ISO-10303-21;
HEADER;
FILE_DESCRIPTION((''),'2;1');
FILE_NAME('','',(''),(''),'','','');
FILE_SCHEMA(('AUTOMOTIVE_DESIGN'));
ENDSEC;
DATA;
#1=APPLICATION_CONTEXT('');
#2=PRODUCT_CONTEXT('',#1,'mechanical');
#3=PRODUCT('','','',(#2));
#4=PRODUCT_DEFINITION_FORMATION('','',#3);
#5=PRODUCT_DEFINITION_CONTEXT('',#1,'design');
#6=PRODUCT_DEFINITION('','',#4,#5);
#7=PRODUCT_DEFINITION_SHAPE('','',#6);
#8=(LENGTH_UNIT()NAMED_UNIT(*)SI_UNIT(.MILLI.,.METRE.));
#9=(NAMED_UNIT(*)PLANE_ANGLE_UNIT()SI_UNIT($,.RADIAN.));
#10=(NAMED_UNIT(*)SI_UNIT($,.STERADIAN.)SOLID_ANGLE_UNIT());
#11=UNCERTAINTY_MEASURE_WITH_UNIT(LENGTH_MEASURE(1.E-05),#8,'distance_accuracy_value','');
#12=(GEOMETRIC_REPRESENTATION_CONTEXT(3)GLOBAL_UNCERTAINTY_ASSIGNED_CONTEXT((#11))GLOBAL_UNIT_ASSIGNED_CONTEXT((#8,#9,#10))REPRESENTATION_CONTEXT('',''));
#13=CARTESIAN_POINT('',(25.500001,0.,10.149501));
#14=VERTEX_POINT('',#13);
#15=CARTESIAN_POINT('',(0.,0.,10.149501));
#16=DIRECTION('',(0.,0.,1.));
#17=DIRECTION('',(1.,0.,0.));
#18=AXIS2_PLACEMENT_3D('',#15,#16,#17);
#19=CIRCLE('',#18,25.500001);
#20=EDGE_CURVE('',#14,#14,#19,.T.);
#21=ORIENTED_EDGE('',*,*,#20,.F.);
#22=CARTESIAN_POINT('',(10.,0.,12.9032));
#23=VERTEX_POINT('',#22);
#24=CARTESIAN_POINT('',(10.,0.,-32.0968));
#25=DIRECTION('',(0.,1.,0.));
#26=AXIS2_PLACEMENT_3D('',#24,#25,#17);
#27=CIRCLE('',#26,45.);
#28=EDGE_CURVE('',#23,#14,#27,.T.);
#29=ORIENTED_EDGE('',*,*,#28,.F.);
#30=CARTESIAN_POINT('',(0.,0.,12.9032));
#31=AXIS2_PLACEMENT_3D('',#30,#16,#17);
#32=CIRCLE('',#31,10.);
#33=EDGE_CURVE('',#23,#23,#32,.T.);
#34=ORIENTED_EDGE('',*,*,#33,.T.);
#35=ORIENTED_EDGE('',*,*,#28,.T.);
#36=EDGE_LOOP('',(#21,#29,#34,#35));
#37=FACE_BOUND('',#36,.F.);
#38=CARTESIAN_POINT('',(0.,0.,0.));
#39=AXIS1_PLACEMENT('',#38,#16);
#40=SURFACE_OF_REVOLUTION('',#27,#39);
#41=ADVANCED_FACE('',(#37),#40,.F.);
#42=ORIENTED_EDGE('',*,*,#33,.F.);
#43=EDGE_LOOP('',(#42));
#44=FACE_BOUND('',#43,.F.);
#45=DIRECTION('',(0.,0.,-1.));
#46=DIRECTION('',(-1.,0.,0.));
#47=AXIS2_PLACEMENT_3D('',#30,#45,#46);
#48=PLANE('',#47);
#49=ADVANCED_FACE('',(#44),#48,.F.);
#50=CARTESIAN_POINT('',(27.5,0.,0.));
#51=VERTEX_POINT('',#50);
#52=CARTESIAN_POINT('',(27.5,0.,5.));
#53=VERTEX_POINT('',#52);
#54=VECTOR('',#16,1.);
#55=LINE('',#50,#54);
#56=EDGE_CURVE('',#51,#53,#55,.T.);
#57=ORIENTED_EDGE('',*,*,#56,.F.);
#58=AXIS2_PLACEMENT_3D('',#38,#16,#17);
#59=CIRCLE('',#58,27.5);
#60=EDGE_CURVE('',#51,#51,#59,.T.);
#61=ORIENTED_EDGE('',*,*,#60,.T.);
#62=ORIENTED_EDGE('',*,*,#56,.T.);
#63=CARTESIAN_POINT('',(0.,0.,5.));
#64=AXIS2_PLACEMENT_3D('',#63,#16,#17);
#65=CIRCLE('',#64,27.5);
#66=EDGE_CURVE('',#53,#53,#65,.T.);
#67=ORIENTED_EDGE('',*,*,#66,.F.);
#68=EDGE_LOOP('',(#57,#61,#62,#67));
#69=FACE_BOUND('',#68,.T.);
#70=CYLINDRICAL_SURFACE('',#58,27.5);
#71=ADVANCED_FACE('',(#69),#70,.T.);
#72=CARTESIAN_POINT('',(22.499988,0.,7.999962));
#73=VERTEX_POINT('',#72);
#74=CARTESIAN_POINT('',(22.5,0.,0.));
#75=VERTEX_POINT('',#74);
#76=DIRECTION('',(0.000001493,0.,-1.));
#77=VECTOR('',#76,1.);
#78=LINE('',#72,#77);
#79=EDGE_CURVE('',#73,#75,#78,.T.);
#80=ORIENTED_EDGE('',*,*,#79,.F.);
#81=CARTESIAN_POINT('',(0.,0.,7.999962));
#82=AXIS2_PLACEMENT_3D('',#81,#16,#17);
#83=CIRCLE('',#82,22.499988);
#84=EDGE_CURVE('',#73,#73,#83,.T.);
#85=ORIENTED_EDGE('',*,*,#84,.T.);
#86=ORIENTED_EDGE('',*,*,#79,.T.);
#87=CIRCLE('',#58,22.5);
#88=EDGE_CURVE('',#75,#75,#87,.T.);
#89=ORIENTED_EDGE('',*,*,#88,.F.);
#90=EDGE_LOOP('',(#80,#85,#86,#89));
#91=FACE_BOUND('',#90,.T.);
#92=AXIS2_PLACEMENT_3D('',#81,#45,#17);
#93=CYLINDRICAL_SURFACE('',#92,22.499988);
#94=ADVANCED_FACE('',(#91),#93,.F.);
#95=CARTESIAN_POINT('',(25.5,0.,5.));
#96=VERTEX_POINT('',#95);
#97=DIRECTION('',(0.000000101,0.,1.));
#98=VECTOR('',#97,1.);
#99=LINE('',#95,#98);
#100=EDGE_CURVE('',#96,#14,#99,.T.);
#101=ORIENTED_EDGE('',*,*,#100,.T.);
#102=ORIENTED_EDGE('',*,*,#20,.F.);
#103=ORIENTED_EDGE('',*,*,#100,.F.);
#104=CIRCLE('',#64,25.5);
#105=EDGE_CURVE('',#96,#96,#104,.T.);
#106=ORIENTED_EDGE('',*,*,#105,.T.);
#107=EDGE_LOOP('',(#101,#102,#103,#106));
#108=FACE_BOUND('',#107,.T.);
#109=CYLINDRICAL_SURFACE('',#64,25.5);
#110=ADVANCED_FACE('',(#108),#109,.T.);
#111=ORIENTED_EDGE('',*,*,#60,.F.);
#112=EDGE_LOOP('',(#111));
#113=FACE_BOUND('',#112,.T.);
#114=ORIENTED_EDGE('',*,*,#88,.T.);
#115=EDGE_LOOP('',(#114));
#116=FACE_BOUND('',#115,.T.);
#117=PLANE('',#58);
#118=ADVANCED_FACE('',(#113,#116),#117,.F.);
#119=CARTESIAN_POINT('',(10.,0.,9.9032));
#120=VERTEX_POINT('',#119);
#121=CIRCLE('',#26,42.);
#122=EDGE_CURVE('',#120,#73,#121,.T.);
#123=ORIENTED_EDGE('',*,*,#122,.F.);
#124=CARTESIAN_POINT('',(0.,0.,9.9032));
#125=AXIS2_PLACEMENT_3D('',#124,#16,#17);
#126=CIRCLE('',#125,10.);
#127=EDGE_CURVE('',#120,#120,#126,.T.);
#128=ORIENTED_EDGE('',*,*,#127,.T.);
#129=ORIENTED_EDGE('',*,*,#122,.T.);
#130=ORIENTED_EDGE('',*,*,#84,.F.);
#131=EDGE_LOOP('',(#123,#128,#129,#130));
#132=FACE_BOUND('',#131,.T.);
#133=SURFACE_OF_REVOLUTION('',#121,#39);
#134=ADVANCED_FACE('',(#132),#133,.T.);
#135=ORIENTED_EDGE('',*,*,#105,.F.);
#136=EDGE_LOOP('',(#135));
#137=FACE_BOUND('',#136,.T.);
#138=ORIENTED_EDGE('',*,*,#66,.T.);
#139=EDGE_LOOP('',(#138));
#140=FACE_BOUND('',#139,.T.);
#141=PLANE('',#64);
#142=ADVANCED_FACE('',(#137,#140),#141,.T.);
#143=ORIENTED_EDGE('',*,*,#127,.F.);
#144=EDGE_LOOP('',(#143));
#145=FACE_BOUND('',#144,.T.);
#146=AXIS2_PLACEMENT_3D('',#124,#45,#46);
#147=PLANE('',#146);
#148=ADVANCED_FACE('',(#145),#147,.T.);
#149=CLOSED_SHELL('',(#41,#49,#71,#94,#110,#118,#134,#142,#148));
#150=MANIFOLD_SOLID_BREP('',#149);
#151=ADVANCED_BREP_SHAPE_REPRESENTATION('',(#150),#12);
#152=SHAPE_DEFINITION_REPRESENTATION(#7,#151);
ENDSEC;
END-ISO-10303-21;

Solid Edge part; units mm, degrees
sketch "Sketch1" plane through (0, 0, 0) normal (0, -1, 0) x (1, 0, 0)
  line L0 (22.5, 0) -> (27.5, 0)
  line L1 (27.5, 0) -> (27.5, 5)
  line L2 (27.5, 5) -> (25.5, 5)
  line L3 (25.5, 5) -> (25.5, 10.1495)
  arc A0 (10, 12.9032) -> (25.5, 10.1495) centre (10, -32.0968) cw
  line L4 (0, 12.9032) -> (10, 12.9032)
  line L5 (0, 9.9032) -> (0, 12.9032)
  line L6 (0, 9.9032) -> (10, 9.9032)
  arc A1 (10, 9.9032) -> (22.5, 8) centre (10, -32.0968) cw
  line L7 (22.5, 8) -> (22.5, 0)
  dimension "D1" = 3
  dimension "D2" = 5
  dimension "D3" = 2
  dimension "D4" = 10
  dimension "D5" = 45
  dimension "D6" = 8
revolve "RevolvedProtrusion1" add sketch "Sketch1" angle 360 about axis through (0, 0, 0) along (0, 0, 1)
properties material "Steel"
